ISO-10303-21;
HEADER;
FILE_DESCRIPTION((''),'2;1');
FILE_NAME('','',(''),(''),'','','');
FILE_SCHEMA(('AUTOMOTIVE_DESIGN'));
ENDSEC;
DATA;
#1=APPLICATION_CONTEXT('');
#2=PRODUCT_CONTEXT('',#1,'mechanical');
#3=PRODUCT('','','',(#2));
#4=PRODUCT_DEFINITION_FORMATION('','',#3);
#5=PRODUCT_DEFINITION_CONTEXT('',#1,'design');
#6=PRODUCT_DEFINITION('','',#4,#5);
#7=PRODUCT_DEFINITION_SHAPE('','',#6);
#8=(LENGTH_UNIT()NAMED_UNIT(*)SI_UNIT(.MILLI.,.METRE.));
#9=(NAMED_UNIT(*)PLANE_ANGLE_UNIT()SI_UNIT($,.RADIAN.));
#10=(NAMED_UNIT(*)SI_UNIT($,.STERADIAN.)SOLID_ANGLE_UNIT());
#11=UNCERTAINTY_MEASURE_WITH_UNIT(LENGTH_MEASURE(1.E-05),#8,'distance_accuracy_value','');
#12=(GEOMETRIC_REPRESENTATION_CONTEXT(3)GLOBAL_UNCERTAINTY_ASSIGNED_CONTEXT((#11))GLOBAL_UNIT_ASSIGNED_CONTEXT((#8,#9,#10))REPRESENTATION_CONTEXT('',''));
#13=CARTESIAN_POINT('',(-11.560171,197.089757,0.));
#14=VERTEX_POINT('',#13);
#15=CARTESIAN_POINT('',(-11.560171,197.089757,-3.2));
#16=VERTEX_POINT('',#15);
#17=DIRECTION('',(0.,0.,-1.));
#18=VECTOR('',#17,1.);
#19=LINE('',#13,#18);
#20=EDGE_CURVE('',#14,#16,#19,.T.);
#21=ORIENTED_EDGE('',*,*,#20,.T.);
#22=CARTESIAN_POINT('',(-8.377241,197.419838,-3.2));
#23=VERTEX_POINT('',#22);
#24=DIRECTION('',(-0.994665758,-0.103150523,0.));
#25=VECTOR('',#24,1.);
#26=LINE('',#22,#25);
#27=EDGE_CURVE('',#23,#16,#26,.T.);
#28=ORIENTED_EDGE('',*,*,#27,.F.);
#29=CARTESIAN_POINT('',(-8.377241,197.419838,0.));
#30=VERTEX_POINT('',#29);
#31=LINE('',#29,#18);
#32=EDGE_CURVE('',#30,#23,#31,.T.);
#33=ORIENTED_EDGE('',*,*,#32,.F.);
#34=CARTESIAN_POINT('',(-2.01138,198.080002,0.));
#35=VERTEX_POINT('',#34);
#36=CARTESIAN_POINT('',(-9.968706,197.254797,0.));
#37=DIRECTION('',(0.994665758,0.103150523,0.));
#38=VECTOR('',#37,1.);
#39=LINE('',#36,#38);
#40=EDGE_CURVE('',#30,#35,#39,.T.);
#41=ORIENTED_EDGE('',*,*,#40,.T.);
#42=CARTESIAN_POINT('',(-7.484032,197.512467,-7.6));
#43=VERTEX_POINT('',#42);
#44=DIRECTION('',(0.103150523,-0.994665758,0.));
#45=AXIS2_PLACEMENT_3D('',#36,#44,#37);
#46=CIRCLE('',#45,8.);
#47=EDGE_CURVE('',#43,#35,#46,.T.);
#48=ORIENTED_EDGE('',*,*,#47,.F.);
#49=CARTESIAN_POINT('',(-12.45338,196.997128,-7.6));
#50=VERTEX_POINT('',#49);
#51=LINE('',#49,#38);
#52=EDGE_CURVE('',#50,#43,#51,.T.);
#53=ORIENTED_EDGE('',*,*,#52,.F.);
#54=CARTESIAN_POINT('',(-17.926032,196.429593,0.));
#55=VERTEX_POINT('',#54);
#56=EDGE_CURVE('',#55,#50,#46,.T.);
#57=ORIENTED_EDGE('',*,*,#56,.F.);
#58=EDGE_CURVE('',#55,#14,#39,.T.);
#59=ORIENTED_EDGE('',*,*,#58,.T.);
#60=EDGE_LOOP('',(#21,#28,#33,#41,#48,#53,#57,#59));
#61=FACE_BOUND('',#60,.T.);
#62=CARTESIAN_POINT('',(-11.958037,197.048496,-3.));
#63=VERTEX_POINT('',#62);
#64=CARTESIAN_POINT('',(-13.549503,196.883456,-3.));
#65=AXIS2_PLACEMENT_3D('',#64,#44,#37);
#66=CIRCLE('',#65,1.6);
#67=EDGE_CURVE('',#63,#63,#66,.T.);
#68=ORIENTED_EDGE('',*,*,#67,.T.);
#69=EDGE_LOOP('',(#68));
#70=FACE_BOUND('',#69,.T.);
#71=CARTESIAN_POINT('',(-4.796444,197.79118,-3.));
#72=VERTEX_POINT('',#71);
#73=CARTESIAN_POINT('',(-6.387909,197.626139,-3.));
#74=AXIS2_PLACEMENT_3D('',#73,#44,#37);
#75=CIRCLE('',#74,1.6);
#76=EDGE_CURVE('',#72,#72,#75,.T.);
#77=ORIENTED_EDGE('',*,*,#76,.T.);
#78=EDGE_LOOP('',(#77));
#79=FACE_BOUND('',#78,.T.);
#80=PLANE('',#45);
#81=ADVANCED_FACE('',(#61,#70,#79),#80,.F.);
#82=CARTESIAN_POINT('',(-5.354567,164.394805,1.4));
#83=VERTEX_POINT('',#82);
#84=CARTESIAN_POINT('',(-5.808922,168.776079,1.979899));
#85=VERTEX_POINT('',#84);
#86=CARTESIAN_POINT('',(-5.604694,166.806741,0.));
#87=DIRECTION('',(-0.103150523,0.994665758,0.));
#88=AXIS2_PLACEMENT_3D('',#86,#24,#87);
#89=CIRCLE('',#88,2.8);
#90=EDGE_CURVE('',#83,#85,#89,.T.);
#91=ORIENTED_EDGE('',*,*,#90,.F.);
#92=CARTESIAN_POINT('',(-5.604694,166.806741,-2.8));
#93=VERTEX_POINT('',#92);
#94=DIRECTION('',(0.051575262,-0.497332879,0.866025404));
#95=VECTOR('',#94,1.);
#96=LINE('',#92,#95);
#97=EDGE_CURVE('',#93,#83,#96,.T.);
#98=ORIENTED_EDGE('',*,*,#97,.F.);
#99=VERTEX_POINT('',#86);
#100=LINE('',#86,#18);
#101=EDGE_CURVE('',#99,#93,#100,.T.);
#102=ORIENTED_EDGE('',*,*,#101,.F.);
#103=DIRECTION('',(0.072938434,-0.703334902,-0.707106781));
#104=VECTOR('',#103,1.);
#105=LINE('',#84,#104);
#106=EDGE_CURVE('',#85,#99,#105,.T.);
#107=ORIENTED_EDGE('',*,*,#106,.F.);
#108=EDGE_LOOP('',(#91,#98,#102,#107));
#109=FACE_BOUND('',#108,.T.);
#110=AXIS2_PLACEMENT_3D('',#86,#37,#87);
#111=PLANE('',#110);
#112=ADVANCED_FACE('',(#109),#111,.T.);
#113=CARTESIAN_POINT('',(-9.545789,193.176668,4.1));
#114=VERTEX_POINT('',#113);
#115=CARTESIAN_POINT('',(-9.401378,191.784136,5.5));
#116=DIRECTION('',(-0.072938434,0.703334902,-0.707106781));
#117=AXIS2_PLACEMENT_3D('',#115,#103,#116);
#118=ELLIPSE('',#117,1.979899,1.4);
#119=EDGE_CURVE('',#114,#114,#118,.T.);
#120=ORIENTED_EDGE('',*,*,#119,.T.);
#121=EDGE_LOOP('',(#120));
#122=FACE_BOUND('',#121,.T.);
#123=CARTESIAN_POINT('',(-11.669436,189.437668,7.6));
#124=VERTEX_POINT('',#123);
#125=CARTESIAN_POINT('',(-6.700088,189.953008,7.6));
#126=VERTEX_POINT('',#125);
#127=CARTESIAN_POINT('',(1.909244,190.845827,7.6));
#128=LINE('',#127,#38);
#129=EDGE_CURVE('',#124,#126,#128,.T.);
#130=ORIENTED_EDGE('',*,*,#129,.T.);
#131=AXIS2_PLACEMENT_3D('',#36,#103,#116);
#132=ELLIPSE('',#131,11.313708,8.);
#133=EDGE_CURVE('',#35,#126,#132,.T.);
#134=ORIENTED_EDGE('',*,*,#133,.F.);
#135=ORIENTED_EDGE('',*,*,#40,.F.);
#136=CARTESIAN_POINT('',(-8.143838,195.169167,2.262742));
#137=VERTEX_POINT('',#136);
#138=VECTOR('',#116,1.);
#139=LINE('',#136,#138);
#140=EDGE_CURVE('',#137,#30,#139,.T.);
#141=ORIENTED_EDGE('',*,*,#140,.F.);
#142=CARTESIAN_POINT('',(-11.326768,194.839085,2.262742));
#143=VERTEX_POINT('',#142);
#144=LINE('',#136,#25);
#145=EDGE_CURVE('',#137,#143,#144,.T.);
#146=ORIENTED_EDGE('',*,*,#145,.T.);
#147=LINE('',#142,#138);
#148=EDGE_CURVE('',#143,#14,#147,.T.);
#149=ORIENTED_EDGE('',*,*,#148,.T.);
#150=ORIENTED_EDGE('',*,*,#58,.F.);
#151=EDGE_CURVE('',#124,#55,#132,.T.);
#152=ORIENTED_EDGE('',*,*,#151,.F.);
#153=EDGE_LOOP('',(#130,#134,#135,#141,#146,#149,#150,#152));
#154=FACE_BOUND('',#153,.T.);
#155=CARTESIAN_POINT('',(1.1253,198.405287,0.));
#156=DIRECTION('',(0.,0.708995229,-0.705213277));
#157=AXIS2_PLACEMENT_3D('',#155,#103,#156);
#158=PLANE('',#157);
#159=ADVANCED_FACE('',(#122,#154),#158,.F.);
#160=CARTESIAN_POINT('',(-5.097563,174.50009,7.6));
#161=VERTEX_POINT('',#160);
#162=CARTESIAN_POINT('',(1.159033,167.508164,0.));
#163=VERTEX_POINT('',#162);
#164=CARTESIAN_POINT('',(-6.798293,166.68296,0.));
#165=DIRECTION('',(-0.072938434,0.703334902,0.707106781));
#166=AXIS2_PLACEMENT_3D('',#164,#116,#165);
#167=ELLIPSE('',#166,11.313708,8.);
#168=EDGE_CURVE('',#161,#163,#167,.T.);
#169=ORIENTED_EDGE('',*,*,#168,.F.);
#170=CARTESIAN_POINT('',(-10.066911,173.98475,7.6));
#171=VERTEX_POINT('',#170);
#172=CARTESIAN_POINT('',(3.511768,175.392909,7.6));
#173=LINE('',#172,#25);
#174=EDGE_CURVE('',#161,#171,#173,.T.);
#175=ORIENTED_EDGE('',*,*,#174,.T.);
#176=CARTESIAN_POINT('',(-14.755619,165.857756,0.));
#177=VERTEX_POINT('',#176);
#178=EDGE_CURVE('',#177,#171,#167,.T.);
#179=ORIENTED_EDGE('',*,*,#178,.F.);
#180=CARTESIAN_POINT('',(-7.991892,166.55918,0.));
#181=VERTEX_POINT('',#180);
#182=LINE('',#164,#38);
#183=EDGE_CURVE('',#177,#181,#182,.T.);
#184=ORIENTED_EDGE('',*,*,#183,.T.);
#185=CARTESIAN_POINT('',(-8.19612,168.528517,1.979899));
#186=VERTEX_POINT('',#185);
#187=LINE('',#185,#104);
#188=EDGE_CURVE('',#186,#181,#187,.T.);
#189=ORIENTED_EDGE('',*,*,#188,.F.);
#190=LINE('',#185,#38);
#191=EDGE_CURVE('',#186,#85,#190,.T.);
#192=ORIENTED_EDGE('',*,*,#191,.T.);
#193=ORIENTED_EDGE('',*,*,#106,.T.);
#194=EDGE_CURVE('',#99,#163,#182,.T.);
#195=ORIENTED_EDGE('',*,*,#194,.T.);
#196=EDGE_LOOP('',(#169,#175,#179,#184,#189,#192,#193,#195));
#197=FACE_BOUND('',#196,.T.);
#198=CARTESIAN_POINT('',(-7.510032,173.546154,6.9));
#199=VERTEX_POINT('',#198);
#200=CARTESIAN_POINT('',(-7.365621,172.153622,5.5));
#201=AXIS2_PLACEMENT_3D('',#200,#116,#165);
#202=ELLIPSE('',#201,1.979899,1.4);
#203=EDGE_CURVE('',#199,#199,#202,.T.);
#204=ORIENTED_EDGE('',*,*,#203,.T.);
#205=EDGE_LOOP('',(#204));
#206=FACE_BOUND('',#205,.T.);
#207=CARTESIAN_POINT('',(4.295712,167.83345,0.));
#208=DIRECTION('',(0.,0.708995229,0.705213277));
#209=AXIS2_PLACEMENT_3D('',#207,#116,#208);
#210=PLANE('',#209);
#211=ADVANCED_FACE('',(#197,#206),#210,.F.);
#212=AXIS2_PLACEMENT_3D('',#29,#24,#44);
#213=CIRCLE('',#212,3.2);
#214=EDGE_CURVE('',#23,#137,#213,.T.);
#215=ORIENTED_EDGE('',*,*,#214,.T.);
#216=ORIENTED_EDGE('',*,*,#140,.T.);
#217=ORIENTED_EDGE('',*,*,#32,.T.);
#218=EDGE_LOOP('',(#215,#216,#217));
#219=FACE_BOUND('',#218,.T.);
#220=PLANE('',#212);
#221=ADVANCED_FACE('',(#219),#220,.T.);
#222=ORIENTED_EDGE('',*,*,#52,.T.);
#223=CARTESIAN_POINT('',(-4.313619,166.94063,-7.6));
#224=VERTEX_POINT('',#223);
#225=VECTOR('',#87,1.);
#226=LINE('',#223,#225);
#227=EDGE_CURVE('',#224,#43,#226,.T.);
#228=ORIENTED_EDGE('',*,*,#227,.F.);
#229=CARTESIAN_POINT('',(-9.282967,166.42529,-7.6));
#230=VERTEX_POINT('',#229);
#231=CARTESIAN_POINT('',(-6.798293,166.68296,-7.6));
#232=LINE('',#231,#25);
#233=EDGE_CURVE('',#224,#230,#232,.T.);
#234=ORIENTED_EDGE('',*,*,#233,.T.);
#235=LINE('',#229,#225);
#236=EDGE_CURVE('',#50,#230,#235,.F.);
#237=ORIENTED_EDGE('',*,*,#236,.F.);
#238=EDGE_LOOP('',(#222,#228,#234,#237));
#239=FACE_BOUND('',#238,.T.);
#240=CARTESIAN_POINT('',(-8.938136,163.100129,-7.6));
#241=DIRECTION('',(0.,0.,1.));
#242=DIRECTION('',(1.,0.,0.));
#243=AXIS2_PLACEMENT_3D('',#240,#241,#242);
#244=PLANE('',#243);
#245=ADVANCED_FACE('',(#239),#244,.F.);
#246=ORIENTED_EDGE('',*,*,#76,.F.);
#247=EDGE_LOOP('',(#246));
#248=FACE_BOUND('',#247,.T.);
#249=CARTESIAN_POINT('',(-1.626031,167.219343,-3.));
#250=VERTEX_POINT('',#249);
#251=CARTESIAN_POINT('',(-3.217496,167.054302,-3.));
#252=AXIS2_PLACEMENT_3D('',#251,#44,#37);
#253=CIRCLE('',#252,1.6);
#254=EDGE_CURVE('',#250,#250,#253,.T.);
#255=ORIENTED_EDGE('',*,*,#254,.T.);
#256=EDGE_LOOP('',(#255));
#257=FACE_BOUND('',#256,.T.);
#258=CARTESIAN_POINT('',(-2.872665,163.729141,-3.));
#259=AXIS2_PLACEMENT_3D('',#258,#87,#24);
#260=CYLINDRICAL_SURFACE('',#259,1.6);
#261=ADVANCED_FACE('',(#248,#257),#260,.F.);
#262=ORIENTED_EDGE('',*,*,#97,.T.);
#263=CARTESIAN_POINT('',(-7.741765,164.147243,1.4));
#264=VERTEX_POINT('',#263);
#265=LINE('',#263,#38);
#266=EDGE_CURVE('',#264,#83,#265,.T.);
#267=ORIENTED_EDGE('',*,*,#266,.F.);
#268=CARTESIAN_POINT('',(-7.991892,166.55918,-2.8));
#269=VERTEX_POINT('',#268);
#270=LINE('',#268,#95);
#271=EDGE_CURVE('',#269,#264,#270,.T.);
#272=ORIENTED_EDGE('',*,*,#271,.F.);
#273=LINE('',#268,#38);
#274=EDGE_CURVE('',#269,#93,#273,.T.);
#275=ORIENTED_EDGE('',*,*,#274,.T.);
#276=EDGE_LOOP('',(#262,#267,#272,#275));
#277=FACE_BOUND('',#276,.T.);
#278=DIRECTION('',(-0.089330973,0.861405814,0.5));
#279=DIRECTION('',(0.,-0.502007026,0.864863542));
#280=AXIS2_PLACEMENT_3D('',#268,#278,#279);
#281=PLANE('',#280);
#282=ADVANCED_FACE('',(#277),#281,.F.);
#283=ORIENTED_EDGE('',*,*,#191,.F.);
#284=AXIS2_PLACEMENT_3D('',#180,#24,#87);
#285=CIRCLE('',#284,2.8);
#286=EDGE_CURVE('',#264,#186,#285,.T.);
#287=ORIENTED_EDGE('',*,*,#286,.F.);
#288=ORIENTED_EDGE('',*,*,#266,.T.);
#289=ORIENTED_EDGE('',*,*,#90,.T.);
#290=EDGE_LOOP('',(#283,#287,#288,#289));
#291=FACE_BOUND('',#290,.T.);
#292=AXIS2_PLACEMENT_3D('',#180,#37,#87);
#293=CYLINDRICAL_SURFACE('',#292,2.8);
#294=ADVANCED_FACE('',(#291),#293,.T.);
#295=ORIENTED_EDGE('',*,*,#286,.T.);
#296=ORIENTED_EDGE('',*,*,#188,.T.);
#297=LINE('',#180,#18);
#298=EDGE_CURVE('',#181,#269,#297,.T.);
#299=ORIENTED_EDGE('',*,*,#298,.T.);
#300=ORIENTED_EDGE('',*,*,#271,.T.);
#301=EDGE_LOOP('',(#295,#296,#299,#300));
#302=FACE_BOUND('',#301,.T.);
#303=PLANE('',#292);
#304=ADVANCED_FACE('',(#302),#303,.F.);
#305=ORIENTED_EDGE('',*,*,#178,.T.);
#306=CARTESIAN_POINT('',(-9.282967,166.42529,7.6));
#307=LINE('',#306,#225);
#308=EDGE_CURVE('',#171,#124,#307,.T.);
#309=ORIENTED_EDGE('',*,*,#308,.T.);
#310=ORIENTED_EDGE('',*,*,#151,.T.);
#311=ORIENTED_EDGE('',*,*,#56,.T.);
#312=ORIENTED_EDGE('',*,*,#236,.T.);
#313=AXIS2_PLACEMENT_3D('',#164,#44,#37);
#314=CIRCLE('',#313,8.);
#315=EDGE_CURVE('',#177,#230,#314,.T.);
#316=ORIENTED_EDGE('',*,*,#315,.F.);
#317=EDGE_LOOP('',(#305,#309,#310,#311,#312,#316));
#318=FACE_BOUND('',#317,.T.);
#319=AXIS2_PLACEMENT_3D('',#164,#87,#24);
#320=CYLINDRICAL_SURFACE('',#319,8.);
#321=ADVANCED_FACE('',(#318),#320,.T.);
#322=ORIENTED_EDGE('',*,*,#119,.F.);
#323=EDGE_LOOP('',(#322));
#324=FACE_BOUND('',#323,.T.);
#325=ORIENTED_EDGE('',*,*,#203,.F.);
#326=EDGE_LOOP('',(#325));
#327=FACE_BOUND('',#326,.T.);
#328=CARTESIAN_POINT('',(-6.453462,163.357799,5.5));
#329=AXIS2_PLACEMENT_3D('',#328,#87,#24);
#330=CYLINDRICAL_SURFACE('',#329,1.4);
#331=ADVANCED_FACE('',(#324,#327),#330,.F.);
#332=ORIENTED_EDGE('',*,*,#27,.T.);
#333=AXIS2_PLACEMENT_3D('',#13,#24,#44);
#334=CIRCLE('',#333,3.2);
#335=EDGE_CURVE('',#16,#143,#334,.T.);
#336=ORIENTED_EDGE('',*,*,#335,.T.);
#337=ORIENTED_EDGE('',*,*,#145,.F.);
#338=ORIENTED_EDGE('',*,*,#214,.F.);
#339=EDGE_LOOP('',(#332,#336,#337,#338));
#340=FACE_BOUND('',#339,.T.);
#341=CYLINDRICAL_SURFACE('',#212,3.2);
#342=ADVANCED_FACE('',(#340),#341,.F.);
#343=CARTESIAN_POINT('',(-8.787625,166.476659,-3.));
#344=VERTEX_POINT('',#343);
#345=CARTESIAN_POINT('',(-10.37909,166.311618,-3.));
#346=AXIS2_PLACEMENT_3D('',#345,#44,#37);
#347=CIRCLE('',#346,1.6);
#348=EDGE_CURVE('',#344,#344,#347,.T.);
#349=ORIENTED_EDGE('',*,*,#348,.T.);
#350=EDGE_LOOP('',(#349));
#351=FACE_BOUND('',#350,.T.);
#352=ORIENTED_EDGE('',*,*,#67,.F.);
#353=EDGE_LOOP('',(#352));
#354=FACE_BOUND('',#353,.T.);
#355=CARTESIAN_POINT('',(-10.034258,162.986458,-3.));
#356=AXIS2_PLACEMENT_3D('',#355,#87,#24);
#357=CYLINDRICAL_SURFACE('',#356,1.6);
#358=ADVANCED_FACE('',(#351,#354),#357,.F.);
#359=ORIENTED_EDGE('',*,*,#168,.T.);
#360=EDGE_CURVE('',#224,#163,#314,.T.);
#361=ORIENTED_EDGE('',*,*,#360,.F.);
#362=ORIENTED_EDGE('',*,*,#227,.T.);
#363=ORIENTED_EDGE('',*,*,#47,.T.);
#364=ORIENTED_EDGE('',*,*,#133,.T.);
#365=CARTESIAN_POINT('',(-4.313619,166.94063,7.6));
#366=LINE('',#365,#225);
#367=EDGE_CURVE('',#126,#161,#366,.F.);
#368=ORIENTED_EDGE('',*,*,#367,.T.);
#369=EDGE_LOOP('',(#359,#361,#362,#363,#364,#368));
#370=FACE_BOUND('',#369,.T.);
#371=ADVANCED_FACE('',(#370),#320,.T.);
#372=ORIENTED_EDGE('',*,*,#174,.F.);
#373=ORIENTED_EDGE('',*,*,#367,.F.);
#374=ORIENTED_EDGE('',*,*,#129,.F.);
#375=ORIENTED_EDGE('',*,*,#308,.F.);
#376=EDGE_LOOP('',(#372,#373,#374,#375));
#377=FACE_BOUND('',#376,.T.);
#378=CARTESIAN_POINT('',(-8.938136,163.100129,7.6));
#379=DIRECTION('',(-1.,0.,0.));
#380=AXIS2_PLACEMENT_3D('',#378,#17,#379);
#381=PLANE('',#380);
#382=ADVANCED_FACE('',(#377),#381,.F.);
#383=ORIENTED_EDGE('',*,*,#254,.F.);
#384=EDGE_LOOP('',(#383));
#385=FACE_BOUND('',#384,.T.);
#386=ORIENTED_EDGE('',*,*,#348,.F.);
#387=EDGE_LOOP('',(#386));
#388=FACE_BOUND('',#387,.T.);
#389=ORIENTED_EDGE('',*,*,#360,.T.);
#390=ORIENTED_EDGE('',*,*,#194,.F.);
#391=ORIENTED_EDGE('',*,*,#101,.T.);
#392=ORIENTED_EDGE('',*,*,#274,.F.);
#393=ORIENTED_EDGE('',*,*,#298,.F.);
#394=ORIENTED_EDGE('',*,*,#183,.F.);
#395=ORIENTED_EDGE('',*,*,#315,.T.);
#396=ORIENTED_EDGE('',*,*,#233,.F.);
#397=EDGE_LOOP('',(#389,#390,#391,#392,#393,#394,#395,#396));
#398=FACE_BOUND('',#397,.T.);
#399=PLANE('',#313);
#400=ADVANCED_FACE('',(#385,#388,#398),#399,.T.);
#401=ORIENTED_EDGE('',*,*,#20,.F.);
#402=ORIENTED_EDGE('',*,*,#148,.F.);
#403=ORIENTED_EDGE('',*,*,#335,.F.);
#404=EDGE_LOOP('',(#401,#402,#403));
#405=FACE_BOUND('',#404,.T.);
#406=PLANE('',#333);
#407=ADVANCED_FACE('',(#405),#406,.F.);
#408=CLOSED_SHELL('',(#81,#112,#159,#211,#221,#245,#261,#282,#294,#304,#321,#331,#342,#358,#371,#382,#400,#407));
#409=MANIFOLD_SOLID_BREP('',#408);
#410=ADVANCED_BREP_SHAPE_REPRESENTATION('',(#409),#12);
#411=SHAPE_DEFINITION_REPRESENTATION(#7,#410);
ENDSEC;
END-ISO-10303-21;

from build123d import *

# Parameters (mm, degrees)
SKETCH3_R               = 8
BOSS_EXTRUDE1_DEPTH     = 30.735789474
CUT_EXTRUDE1_DEPTH      = 12.15350101
CUT_EXTRUDE1_DEPTH_BACK = 12.15350101
BOSS_EXTRUDE2_DEPTH     = 1.2
CUT_EXTRUDE2_DEPTH      = 1.6
SKETCH8_R               = 1.4
SKETCH8_R_2             = 1.6
CUT_EXTRUDE3_DEPTH      = 2.64160469
CUT_EXTRUDE3_DEPTH_BACK = 35.078782599
CUT_EXTRUDE4_DEPTH      = 35.078782599


with BuildPart() as part:
    # Sketch3 → Boss-Extrude1 (new body)
    with BuildSketch(Plane(origin=(-20.344467381, 196.178792599, 0), x_dir=(-0.994665758, -0.103150523, 0), z_dir=(0.103150523, -0.994665758, 0))):
        with Locations((-10.431405186, 0)):
            Circle(SKETCH3_R)
    extrude(amount=BOSS_EXTRUDE1_DEPTH)

    # Sketch4 → Cut-Extrude1 (cut, two sides)
    with BuildSketch(Plane(origin=(10.375761543, 1.076004901, 0), x_dir=(0.103150523, -0.994665758, 0), z_dir=(-0.994665758, -0.103150523, 0))) as cut_extrude1_sk:
        Polygon((-197.230869842, 0), (-189.230869842, 8), (-197.230869842, 8), align=None)
        Polygon((-174.495080368, 8), (-166.495080368, 8), (-166.495080368, 0), align=None)
    extrude(amount=CUT_EXTRUDE1_DEPTH, mode=Mode.SUBTRACT)
    extrude(cut_extrude1_sk.sketch, amount=-CUT_EXTRUDE1_DEPTH_BACK, mode=Mode.SUBTRACT)

    # Sketch5 → Boss-Extrude2 (add, symmetric)
    with BuildSketch(Plane(origin=(10.375761543, 1.076004901, 0), x_dir=(0.103150523, -0.994665758, 0), z_dir=(-0.994665758, -0.103150523, 0))):
        with BuildLine():
            Line((-166.495080368, -2.8), (-164.070209238, 1.4))
            ThreePointArc((-164.070209238, 1.4), (-166.12960703, 2.776045612), (-168.474979356, 1.979898987))
            Line((-168.474979356, 1.979898987), (-166.495080368, 0))
            Line((-166.495080368, 0), (-166.495080368, -2.8))
        make_face()
    extrude(amount=BOSS_EXTRUDE2_DEPTH, both=True)

    # Sketch7 → Cut-Extrude2 (cut, symmetric)
    with BuildSketch(Plane(origin=(10.375761543, 1.076004901, 0), x_dir=(0.103150523, -0.994665758, 0), z_dir=(-0.994665758, -0.103150523, 0))):
        with BuildLine():
            Line((-194.968128142, 2.2627417), (-197.230869842, 0))
            Line((-197.230869842, 0), (-197.230869842, -3.2))
            ThreePointArc((-197.230869842, -3.2), (-194.274455338, -1.224586984), (-194.968128142, 2.2627417))
        make_face()
    extrude(amount=CUT_EXTRUDE2_DEPTH, both=True, mode=Mode.SUBTRACT)

    # Sketch8 → Cut-Extrude3 (cut, two sides)
    with BuildSketch(Plane(origin=(-20.344467381, 196.178792599, 0), x_dir=(0.994665758, 0.103150523, 0), z_dir=(-0.103150523, 0.994665758, 0))) as cut_extrude3_sk:
        with Locations((10.431405186, -5.5)):
            Circle(SKETCH8_R)
        with Locations((6.831405186, 3)):
            Circle(SKETCH8_R_2)
        with Locations((14.031405186, 3)):
            Circle(SKETCH8_R_2)
    extrude(amount=CUT_EXTRUDE3_DEPTH, mode=Mode.SUBTRACT)
    extrude(cut_extrude3_sk.sketch, amount=-CUT_EXTRUDE3_DEPTH_BACK, mode=Mode.SUBTRACT)

    # Sketch9 → Cut-Extrude4 (cut, through all)
    with BuildSketch(Plane(origin=(-20.344467381, 196.178792599, 0), x_dir=(0.994665758, 0.103150523, 0), z_dir=(-0.103150523, 0.994665758, 0))):
        with BuildLine():
            Line((7.933405986, 7.6), (12.929404385, 7.6))
            ThreePointArc((12.929404385, 7.6), (10.431405186, 8), (7.933405986, 7.6))
        make_face()
        with BuildLine():
            Line((7.933405986, -7.6), (12.929404385, -7.6))
            ThreePointArc((12.929404385, -7.6), (10.431405186, -8), (7.933405986, -7.6))
        make_face()
    extrude(amount=-CUT_EXTRUDE4_DEPTH, mode=Mode.SUBTRACT)


solid = part.part
